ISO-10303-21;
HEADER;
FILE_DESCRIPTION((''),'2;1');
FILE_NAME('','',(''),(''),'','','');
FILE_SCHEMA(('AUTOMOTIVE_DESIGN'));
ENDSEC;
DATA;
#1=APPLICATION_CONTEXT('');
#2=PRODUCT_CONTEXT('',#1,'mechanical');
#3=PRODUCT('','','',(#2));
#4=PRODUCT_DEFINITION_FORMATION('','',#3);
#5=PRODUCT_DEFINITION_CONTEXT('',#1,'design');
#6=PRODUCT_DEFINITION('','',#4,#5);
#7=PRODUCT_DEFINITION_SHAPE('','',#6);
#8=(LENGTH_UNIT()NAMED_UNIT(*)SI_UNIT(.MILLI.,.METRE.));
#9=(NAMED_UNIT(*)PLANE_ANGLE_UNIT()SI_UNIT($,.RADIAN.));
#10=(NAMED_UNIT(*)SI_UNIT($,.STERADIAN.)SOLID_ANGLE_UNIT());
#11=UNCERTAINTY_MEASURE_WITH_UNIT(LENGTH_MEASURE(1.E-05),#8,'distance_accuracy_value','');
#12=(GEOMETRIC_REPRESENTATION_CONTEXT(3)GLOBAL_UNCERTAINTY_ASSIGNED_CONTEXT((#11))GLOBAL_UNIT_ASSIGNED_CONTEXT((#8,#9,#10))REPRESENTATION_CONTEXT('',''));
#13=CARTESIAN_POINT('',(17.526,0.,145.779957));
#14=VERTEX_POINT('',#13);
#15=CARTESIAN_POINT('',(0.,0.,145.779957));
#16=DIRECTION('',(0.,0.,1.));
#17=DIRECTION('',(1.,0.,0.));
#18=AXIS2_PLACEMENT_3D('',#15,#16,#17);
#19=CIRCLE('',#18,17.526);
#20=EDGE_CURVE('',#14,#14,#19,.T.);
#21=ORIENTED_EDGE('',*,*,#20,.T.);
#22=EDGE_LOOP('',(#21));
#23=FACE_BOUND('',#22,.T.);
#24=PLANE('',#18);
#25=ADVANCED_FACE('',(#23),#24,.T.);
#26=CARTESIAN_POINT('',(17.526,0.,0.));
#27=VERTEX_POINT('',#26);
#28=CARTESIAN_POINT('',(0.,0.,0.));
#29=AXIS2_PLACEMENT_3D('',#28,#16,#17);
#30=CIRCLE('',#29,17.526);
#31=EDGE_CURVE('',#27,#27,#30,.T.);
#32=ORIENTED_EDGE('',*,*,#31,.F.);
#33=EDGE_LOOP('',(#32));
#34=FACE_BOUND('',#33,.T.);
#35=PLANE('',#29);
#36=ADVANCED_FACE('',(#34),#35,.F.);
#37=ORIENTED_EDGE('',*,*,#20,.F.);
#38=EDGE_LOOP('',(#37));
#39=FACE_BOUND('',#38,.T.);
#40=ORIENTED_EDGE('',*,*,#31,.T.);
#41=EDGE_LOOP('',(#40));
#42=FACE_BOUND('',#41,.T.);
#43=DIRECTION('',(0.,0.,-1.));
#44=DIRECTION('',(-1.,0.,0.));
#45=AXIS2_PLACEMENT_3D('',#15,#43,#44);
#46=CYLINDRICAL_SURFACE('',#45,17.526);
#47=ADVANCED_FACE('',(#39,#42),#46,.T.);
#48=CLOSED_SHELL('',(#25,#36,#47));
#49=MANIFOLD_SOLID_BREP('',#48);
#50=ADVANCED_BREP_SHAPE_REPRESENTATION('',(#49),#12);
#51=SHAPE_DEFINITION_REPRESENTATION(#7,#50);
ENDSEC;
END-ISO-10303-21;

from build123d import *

# Parameters (mm, degrees)
SKETCH1_R           = 17.526
BOSS_EXTRUDE1_DEPTH = 145.779956598


with BuildPart() as part:
    # Sketch1 → Boss-Extrude1 (new body)
    with BuildSketch(Plane.XY):
        Circle(SKETCH1_R)
    extrude(amount=BOSS_EXTRUDE1_DEPTH)


solid = part.part
